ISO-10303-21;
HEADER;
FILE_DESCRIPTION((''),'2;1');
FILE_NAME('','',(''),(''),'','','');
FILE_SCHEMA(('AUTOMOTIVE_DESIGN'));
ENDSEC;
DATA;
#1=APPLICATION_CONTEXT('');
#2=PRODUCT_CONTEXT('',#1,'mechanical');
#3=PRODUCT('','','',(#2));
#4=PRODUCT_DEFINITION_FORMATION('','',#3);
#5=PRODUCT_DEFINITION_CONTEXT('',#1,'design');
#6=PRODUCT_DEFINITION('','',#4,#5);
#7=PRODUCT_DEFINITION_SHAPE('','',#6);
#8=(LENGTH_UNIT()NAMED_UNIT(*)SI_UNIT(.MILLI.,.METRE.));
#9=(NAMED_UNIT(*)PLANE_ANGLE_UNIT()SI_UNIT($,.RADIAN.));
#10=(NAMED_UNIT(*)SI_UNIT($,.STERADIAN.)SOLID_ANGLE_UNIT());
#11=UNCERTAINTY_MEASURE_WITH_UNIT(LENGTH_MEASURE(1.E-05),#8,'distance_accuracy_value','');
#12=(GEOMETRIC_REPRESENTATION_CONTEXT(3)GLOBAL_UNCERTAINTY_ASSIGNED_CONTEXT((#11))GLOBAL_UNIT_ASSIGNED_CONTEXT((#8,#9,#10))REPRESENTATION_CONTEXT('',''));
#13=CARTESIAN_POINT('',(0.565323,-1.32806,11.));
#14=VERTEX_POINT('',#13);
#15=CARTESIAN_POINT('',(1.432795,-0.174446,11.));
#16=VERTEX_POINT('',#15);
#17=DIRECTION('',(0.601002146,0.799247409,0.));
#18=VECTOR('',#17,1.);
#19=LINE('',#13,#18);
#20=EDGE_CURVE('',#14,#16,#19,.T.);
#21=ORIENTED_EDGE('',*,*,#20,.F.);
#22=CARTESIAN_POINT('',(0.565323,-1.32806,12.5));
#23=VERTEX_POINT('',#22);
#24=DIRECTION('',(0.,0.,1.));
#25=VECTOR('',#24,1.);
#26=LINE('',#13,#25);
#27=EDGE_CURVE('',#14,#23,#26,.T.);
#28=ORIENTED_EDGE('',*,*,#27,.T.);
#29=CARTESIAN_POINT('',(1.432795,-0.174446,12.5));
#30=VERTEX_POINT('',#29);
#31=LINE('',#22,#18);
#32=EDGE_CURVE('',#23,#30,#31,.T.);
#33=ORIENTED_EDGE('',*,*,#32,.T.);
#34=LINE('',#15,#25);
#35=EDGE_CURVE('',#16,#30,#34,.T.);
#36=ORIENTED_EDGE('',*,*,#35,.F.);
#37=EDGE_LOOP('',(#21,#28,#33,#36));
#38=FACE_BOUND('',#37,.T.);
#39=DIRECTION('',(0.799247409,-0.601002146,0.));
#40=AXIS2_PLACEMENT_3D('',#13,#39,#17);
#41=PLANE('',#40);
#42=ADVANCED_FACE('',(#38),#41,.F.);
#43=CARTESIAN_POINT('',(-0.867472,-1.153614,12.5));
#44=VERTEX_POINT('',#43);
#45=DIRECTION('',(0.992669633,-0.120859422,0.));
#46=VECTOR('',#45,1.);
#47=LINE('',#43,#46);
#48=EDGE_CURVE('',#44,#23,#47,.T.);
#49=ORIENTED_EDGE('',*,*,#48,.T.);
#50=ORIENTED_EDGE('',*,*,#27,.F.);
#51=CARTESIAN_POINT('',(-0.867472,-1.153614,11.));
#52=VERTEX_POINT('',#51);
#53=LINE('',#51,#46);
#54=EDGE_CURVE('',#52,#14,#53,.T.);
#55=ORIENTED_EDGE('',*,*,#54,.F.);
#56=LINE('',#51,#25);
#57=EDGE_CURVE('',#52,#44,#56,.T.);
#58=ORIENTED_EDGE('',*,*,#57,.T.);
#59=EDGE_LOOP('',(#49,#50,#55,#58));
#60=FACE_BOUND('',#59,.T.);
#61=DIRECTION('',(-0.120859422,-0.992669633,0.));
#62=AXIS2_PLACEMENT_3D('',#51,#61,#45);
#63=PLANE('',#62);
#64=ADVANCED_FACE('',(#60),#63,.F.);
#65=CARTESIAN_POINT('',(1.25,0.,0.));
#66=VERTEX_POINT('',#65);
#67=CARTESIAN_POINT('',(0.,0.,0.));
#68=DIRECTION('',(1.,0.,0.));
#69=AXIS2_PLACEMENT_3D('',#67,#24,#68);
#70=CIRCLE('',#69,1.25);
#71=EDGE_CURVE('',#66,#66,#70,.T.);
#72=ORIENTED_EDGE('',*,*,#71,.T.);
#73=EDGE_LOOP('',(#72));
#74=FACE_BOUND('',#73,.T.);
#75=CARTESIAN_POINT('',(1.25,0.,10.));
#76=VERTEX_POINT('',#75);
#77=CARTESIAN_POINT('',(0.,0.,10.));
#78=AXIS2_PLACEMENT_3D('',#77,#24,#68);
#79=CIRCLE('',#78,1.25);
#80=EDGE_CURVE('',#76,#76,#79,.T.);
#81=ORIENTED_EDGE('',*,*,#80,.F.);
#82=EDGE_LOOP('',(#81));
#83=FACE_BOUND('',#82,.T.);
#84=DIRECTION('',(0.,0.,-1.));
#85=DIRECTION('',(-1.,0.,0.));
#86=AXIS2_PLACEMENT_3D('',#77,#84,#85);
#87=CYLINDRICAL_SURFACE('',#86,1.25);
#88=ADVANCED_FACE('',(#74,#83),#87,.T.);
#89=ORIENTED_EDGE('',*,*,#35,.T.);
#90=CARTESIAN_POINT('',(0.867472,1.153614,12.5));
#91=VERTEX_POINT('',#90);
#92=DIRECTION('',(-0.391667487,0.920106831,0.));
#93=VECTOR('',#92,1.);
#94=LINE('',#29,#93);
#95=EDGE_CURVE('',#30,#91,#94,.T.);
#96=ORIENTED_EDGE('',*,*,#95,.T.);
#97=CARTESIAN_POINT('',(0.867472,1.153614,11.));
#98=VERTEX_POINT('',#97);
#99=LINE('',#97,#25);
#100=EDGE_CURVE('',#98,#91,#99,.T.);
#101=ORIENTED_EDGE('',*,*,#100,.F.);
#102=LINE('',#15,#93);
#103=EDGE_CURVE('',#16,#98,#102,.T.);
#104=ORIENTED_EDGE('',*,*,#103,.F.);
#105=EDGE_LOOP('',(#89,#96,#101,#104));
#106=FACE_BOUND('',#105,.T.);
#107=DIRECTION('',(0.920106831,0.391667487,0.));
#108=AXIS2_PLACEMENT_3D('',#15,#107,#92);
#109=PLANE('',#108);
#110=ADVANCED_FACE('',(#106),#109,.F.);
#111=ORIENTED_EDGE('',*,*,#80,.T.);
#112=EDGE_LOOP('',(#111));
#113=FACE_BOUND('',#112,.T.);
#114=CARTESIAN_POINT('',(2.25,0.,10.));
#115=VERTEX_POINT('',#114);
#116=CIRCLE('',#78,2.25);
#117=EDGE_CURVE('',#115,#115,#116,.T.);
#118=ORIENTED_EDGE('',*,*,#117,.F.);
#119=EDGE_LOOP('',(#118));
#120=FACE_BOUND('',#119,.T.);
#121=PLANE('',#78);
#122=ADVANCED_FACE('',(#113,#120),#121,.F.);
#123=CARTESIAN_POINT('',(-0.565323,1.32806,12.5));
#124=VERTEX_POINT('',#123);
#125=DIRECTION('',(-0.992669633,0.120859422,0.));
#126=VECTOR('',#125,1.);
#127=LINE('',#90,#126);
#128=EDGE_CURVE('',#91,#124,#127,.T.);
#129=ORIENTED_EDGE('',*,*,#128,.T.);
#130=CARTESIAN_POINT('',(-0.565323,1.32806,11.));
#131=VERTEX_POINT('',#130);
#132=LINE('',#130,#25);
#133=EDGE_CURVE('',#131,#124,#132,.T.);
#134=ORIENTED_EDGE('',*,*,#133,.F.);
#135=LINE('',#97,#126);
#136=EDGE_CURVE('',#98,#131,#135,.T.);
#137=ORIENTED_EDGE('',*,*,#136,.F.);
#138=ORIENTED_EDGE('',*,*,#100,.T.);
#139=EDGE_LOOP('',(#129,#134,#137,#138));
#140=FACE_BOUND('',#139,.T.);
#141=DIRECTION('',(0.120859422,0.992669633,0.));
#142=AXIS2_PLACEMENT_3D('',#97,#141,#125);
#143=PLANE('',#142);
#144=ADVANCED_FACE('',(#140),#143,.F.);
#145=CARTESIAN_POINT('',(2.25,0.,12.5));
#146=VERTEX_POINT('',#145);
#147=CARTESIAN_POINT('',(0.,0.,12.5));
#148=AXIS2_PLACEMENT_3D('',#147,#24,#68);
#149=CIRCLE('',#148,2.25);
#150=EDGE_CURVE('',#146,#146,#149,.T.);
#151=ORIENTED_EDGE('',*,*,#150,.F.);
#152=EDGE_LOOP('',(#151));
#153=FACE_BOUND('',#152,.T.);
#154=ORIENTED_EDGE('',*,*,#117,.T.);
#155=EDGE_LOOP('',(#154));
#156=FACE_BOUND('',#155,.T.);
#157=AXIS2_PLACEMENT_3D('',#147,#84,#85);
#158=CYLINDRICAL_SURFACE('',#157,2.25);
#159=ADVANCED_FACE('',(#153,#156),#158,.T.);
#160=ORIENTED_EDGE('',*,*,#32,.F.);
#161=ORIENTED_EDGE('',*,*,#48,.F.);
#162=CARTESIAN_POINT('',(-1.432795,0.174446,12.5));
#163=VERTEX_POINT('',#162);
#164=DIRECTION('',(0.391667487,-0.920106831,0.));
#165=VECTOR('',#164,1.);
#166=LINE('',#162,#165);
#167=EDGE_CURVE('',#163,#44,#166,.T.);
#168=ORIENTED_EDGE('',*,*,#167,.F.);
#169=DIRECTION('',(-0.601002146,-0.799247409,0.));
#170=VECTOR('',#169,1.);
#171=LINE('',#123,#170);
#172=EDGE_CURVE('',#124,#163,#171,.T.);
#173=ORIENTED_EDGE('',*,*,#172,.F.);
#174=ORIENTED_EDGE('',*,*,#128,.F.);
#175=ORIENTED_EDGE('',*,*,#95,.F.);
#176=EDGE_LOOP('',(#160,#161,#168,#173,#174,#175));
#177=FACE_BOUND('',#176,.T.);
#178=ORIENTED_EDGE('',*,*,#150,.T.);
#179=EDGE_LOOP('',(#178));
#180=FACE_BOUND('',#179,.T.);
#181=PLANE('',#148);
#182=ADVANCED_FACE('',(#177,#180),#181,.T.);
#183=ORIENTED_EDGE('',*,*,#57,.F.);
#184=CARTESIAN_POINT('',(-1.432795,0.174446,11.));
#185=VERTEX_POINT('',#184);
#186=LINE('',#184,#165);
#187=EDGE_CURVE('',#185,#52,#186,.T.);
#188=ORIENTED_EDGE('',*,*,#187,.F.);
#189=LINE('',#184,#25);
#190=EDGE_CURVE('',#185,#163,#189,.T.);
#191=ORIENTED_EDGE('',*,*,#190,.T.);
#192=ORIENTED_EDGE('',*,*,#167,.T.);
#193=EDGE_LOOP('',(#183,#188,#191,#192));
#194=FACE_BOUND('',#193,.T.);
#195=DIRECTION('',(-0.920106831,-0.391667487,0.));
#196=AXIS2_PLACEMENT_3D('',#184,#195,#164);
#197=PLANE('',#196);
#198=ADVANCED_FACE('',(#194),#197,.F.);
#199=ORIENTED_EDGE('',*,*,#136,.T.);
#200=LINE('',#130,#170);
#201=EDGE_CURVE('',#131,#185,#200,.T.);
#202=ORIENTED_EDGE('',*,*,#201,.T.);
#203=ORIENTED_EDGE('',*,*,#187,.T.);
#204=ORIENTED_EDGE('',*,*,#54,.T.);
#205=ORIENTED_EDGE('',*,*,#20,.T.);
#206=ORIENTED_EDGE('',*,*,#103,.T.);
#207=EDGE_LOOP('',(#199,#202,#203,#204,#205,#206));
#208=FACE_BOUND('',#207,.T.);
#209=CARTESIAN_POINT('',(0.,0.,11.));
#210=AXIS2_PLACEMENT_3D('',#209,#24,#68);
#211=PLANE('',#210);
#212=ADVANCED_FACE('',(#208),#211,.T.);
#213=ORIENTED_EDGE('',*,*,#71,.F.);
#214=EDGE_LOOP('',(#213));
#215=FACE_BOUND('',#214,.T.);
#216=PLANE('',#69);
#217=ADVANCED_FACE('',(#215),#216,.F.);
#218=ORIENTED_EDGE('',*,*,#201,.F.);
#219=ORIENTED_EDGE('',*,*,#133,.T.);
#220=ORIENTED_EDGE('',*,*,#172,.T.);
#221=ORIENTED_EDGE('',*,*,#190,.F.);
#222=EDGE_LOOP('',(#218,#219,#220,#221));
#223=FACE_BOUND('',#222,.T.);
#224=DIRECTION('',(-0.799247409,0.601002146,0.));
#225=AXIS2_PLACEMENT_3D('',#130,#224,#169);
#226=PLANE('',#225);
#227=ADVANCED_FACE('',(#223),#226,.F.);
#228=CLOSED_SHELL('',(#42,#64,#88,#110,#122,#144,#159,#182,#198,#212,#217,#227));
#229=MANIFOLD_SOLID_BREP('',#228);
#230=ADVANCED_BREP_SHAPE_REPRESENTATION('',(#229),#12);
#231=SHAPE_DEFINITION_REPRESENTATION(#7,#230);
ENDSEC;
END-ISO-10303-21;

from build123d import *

# Parameters (mm, degrees)
ESQUISSE1_R             = 1.25
BOSS_EXTRU_1_DEPTH      = 10
ESQUISSE2_R             = 2.25
BOSS_EXTRU_2_DEPTH      = 2.5
ENL_V_MAT_EXTRU_1_DEPTH = 1.5


with BuildPart() as part:
    # Esquisse1 → Boss.-Extru.1 (new body)
    with BuildSketch(Plane.XY):
        Circle(ESQUISSE1_R)
    extrude(amount=BOSS_EXTRU_1_DEPTH)

    # Esquisse2 → Boss.-Extru.2 (add)
    with BuildSketch(Plane.XY.offset(10)):
        Circle(ESQUISSE2_R)
    extrude(amount=BOSS_EXTRU_2_DEPTH)

    # Esquisse3 → Enlèv. mat.-Extru.1 (cut)
    with BuildSketch(Plane.XY.offset(12.5)):
        Polygon((1.432795199, -0.174445549), (0.867471877, 1.153614266), (-0.565323322, 1.328059816), (-1.432795199, 0.174445549), (-0.867471877, -1.153614266), (0.565323322, -1.328059816), align=None)
    extrude(amount=-ENL_V_MAT_EXTRU_1_DEPTH, mode=Mode.SUBTRACT)


solid = part.part
